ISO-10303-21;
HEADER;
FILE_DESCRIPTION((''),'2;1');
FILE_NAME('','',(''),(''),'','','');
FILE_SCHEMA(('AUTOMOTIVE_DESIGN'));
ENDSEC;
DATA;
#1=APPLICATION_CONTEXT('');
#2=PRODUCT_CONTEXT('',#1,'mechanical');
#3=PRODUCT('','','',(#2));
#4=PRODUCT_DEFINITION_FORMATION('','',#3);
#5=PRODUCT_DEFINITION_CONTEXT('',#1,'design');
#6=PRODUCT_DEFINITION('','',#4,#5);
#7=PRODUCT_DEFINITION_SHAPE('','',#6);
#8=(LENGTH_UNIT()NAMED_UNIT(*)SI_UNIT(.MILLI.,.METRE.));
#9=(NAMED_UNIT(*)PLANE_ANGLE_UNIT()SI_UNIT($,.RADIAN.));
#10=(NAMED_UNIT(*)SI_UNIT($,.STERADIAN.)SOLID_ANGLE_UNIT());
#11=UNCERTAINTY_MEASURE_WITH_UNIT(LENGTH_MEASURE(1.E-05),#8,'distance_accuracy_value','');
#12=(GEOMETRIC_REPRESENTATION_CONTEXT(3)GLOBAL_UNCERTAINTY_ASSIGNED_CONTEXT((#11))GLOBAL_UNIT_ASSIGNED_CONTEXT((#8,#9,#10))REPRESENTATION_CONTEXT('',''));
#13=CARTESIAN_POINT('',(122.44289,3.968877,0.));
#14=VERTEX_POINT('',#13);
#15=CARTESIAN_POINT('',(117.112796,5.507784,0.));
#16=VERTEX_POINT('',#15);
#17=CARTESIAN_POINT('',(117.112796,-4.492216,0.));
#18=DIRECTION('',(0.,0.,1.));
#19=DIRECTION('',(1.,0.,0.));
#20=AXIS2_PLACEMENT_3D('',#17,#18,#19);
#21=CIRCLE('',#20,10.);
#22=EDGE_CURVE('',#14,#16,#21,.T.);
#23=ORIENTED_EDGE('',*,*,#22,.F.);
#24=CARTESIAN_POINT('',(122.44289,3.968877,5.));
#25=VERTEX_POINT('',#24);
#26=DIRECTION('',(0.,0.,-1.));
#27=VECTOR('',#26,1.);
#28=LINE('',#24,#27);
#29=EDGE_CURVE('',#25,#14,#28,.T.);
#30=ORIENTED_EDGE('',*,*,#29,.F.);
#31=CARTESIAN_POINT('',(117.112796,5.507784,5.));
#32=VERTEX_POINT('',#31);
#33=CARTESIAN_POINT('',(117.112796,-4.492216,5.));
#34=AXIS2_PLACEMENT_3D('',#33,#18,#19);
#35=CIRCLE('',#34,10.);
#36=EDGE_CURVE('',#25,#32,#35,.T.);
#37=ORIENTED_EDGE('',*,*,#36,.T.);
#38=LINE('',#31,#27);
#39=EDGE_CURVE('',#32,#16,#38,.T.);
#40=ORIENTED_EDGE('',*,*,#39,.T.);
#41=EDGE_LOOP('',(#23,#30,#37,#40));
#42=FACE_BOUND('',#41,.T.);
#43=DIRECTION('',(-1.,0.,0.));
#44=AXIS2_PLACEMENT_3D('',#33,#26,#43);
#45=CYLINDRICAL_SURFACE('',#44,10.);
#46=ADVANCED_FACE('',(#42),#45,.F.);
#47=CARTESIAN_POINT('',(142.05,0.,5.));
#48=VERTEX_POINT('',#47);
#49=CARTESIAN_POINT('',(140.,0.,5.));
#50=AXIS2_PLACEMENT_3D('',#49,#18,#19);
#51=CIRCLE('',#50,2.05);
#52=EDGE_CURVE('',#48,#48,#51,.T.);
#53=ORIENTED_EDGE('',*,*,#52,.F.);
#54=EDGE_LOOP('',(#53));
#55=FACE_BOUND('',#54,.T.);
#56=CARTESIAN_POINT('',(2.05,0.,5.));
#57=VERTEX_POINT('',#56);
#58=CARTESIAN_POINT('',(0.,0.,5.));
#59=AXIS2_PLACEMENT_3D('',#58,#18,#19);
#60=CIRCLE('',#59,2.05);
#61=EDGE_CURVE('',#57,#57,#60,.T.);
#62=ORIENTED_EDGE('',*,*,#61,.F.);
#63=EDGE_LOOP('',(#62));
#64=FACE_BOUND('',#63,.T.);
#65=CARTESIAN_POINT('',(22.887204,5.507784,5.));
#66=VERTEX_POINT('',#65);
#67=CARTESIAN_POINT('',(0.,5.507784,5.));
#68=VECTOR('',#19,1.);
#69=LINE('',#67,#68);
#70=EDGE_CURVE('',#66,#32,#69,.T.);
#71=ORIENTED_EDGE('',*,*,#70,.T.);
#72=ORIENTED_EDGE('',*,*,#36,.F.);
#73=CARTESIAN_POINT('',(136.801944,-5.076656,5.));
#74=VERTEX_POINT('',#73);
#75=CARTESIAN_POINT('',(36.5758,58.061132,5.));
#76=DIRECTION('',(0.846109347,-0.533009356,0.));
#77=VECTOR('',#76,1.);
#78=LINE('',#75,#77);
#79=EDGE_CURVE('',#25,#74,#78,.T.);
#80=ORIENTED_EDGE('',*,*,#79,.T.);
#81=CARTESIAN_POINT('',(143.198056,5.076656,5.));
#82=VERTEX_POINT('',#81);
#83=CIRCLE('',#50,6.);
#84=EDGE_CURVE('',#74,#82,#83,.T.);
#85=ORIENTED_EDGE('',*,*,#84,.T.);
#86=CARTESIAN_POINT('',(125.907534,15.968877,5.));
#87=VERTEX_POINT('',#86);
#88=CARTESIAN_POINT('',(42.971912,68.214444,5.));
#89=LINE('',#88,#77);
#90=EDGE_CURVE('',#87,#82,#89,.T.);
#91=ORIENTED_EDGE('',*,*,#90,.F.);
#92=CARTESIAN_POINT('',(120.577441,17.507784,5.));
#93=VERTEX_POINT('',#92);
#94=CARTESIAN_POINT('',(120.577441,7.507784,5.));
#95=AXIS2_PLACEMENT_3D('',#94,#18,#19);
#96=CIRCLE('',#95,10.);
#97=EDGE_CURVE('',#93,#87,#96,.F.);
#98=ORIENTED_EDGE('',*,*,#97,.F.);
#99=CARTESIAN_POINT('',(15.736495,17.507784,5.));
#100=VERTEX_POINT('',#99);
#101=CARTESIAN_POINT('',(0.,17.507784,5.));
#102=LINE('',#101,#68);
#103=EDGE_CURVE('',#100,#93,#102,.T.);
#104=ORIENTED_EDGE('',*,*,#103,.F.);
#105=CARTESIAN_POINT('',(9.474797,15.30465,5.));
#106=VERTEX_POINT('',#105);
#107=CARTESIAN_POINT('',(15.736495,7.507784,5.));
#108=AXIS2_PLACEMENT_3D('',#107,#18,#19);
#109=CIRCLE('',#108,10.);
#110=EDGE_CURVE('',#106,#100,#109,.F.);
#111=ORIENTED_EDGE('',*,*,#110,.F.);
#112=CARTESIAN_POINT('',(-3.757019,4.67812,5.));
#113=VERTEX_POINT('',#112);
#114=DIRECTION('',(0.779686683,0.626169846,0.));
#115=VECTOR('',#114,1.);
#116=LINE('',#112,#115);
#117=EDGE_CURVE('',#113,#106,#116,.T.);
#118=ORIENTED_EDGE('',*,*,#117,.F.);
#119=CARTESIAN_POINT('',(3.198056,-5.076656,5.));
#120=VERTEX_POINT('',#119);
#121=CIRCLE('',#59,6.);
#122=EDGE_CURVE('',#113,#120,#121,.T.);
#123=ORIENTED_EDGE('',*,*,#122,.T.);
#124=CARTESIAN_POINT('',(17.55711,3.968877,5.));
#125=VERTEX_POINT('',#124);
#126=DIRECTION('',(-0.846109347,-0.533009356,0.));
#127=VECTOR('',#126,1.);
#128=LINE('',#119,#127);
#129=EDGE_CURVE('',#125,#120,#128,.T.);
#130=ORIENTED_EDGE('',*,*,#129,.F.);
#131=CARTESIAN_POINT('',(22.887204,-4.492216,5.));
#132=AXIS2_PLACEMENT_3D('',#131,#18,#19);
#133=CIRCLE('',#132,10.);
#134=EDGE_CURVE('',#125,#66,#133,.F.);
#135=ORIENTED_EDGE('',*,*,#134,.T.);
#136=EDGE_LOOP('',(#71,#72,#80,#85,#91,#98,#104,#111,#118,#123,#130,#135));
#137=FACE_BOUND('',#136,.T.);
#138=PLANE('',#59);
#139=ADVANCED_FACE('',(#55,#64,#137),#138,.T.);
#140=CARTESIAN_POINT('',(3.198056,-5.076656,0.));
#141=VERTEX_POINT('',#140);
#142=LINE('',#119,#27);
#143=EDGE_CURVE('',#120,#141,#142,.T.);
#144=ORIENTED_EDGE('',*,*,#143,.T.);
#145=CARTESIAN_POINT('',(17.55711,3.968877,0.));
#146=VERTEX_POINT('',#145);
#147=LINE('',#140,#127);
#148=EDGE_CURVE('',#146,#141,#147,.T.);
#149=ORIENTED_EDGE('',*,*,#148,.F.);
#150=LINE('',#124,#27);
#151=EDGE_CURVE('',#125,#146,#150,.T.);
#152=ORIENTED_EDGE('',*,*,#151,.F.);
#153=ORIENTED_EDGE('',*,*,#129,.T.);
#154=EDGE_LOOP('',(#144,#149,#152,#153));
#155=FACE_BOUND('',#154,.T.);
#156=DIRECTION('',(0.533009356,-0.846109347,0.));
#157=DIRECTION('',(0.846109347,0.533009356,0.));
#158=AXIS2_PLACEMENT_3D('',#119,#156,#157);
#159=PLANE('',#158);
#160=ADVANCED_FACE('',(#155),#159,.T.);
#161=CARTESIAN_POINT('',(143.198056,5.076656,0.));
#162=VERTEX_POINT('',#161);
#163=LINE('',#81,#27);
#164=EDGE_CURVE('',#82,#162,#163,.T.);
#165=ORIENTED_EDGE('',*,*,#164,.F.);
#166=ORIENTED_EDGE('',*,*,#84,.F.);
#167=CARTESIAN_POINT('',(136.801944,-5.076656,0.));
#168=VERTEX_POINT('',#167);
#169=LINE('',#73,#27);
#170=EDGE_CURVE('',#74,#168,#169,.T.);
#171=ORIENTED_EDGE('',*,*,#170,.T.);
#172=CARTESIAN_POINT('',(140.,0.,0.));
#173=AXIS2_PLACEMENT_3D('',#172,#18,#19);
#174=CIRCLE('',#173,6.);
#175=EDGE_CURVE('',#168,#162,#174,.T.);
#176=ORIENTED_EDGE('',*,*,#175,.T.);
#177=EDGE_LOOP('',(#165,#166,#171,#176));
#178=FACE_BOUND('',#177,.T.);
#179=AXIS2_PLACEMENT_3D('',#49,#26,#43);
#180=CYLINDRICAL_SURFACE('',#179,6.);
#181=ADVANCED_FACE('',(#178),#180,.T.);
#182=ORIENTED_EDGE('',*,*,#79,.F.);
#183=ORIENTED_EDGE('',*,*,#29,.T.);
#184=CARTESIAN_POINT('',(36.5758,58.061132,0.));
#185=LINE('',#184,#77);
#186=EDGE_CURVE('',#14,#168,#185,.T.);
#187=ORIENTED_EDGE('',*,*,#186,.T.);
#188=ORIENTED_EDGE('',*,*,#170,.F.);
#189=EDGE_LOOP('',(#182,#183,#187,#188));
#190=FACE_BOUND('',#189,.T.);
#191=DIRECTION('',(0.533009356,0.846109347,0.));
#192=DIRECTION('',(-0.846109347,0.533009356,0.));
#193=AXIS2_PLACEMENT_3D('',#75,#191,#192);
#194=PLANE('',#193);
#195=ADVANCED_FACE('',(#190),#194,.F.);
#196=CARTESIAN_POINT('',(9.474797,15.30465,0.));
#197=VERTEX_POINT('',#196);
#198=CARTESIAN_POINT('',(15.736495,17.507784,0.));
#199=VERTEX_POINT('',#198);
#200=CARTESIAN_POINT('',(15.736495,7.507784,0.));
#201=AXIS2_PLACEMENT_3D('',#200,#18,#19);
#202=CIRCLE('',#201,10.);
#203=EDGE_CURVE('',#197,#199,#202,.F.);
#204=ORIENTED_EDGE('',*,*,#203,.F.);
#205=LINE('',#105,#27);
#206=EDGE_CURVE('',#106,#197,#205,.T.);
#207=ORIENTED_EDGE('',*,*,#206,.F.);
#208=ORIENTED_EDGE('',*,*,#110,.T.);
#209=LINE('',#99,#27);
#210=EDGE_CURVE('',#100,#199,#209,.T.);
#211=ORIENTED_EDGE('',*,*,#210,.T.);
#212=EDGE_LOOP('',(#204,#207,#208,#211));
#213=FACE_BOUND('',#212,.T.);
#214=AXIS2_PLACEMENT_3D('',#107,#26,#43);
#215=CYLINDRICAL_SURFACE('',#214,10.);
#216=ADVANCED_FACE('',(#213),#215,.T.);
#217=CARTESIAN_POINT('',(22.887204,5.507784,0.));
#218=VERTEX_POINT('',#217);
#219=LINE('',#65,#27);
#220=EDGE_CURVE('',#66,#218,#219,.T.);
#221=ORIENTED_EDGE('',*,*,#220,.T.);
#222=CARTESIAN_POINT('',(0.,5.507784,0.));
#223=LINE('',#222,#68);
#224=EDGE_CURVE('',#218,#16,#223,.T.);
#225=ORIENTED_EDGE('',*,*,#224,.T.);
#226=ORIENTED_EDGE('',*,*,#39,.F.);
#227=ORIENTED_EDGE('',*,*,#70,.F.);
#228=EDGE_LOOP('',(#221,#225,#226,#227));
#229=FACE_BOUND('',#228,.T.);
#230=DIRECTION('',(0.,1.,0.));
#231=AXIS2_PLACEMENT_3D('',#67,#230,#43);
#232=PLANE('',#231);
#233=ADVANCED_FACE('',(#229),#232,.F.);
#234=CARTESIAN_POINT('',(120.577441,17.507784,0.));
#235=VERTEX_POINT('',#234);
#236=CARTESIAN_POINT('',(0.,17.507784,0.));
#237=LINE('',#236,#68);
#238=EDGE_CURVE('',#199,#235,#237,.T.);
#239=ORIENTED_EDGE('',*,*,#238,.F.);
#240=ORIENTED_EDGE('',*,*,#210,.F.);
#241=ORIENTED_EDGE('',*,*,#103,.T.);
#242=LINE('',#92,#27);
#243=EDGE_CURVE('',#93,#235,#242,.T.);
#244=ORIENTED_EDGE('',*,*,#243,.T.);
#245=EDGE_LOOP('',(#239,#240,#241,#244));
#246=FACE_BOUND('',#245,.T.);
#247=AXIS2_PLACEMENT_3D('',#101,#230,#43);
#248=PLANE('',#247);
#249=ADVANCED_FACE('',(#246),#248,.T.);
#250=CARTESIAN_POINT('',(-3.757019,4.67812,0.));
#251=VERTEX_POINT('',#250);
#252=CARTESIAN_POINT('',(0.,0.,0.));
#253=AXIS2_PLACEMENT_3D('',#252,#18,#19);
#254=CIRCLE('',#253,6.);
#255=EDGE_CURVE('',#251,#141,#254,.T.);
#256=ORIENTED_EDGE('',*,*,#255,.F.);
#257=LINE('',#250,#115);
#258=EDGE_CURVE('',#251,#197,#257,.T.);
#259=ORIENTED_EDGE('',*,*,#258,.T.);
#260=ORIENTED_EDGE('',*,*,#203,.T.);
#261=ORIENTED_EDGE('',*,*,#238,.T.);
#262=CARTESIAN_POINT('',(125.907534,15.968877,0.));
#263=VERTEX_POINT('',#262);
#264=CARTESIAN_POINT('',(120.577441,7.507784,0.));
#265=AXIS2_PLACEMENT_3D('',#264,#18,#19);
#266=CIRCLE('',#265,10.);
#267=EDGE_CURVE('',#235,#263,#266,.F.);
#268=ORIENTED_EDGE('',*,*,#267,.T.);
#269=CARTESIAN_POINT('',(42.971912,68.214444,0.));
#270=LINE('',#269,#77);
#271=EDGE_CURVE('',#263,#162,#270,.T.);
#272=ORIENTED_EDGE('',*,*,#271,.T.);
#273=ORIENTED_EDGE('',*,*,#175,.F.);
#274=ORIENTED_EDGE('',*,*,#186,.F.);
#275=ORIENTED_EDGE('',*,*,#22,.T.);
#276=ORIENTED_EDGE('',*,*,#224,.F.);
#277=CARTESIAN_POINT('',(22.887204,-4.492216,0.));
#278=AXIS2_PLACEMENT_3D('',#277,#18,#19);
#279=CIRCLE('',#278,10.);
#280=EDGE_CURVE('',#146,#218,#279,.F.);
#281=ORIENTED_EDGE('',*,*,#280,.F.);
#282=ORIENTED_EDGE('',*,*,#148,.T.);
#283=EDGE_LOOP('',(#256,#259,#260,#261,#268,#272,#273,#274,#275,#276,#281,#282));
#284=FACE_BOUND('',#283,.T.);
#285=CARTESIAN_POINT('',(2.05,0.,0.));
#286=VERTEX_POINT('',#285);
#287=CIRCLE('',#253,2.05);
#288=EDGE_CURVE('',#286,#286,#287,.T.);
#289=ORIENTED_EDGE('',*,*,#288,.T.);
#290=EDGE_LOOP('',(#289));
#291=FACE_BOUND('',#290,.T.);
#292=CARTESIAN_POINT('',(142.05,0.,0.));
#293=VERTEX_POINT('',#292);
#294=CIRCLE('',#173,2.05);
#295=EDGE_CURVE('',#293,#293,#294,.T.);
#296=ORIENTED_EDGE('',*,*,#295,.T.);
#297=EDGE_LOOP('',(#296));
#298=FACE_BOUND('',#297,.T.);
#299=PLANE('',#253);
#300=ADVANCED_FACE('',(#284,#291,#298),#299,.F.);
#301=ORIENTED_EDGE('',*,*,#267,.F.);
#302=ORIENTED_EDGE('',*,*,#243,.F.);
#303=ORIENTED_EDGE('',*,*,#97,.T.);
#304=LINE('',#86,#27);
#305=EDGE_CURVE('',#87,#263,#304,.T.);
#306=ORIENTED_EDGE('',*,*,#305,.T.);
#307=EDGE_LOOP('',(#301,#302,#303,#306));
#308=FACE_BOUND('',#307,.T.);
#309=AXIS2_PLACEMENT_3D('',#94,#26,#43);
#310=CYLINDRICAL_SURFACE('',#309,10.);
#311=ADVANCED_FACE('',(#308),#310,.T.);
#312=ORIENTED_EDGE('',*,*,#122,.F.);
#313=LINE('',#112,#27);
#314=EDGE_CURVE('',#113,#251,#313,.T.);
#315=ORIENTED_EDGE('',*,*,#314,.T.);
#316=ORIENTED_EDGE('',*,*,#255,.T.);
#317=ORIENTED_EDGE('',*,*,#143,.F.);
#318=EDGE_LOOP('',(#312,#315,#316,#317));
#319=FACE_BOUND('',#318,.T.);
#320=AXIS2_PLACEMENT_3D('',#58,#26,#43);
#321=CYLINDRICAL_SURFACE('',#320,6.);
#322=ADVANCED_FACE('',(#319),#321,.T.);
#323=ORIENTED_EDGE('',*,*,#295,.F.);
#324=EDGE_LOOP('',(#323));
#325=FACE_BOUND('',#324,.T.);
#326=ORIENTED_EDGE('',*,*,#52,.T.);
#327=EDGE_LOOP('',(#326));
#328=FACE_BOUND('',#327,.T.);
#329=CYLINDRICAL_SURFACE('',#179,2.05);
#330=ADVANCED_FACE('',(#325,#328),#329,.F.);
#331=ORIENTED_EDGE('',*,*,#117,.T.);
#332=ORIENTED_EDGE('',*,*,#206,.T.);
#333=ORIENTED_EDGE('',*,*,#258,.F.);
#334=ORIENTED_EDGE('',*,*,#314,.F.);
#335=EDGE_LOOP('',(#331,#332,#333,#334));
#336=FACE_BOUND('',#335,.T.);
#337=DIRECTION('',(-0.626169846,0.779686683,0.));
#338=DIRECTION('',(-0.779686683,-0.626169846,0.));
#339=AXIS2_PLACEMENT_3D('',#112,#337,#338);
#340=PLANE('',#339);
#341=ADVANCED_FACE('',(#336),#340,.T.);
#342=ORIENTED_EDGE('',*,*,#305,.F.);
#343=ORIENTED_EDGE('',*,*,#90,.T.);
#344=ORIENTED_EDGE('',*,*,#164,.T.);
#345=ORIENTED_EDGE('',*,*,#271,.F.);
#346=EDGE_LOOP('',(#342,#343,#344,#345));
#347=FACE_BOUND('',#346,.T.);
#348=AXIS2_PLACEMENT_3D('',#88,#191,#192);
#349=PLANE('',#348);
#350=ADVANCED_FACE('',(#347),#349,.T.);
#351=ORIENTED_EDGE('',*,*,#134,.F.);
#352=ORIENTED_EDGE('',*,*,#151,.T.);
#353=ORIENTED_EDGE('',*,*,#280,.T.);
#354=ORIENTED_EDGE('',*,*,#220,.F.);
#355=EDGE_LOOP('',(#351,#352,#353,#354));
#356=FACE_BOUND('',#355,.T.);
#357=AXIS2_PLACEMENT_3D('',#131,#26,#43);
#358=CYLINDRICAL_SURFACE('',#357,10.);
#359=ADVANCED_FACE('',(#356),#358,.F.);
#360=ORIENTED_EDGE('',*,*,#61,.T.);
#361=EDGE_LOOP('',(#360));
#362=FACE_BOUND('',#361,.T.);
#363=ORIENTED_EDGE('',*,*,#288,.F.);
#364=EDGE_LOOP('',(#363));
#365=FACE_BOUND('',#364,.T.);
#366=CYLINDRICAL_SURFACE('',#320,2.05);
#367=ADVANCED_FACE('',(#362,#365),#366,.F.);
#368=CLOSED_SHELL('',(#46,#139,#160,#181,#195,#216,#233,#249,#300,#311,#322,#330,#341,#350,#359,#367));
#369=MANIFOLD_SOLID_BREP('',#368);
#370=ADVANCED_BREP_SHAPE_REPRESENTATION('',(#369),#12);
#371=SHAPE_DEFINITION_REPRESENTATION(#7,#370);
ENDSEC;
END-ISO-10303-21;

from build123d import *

# Parameters (mm, degrees)
SCHIZZO1_R                   = 2.05
ESTRUSIONE_ESTRUSIONE1_DEPTH = 5


with BuildPart() as part:
    # Schizzo1 → Estrusione-Estrusione1 (new body)
    with BuildSketch(Plane.XY):
        with BuildLine():
            Line((-3.757019077, 4.678120099), (9.474796834, 15.30465036))
            ThreePointArc((9.474796834, 15.30465036), (12.41750963, 16.940934337), (15.736495295, 17.507783529))
            Line((15.736495295, 17.507783529), (120.577440721, 17.507783529))
            ThreePointArc((120.577440721, 17.507783529), (123.351342788, 17.115356965), (125.907534283, 15.968876995))
            Line((125.907534283, 15.968876995), (143.198056137, 5.076656079))
            ThreePointArc((143.198056137, 5.076656079), (145.076656079, -3.198056137), (136.801943863, -5.076656079))
            Line((136.801943863, -5.076656079), (122.442889956, 3.968876995))
            ThreePointArc((122.442889956, 3.968876995), (119.886698461, 5.115356965), (117.112796394, 5.507783529))
            Line((117.112796394, 5.507783529), (22.887203606, 5.507783529))
            ThreePointArc((22.887203606, 5.507783529), (20.113301539, 5.115356965), (17.557110044, 3.968876995))
            Line((17.557110044, 3.968876995), (3.198056137, -5.076656079))
            ThreePointArc((3.198056137, -5.076656079), (-4.885388875, -3.483242102), (-3.757019077, 4.678120099))
        make_face()
        Circle(SCHIZZO1_R, mode=Mode.SUBTRACT)
        with Locations((140, 0)):
            Circle(SCHIZZO1_R, mode=Mode.SUBTRACT)
    extrude(amount=ESTRUSIONE_ESTRUSIONE1_DEPTH)


solid = part.part
